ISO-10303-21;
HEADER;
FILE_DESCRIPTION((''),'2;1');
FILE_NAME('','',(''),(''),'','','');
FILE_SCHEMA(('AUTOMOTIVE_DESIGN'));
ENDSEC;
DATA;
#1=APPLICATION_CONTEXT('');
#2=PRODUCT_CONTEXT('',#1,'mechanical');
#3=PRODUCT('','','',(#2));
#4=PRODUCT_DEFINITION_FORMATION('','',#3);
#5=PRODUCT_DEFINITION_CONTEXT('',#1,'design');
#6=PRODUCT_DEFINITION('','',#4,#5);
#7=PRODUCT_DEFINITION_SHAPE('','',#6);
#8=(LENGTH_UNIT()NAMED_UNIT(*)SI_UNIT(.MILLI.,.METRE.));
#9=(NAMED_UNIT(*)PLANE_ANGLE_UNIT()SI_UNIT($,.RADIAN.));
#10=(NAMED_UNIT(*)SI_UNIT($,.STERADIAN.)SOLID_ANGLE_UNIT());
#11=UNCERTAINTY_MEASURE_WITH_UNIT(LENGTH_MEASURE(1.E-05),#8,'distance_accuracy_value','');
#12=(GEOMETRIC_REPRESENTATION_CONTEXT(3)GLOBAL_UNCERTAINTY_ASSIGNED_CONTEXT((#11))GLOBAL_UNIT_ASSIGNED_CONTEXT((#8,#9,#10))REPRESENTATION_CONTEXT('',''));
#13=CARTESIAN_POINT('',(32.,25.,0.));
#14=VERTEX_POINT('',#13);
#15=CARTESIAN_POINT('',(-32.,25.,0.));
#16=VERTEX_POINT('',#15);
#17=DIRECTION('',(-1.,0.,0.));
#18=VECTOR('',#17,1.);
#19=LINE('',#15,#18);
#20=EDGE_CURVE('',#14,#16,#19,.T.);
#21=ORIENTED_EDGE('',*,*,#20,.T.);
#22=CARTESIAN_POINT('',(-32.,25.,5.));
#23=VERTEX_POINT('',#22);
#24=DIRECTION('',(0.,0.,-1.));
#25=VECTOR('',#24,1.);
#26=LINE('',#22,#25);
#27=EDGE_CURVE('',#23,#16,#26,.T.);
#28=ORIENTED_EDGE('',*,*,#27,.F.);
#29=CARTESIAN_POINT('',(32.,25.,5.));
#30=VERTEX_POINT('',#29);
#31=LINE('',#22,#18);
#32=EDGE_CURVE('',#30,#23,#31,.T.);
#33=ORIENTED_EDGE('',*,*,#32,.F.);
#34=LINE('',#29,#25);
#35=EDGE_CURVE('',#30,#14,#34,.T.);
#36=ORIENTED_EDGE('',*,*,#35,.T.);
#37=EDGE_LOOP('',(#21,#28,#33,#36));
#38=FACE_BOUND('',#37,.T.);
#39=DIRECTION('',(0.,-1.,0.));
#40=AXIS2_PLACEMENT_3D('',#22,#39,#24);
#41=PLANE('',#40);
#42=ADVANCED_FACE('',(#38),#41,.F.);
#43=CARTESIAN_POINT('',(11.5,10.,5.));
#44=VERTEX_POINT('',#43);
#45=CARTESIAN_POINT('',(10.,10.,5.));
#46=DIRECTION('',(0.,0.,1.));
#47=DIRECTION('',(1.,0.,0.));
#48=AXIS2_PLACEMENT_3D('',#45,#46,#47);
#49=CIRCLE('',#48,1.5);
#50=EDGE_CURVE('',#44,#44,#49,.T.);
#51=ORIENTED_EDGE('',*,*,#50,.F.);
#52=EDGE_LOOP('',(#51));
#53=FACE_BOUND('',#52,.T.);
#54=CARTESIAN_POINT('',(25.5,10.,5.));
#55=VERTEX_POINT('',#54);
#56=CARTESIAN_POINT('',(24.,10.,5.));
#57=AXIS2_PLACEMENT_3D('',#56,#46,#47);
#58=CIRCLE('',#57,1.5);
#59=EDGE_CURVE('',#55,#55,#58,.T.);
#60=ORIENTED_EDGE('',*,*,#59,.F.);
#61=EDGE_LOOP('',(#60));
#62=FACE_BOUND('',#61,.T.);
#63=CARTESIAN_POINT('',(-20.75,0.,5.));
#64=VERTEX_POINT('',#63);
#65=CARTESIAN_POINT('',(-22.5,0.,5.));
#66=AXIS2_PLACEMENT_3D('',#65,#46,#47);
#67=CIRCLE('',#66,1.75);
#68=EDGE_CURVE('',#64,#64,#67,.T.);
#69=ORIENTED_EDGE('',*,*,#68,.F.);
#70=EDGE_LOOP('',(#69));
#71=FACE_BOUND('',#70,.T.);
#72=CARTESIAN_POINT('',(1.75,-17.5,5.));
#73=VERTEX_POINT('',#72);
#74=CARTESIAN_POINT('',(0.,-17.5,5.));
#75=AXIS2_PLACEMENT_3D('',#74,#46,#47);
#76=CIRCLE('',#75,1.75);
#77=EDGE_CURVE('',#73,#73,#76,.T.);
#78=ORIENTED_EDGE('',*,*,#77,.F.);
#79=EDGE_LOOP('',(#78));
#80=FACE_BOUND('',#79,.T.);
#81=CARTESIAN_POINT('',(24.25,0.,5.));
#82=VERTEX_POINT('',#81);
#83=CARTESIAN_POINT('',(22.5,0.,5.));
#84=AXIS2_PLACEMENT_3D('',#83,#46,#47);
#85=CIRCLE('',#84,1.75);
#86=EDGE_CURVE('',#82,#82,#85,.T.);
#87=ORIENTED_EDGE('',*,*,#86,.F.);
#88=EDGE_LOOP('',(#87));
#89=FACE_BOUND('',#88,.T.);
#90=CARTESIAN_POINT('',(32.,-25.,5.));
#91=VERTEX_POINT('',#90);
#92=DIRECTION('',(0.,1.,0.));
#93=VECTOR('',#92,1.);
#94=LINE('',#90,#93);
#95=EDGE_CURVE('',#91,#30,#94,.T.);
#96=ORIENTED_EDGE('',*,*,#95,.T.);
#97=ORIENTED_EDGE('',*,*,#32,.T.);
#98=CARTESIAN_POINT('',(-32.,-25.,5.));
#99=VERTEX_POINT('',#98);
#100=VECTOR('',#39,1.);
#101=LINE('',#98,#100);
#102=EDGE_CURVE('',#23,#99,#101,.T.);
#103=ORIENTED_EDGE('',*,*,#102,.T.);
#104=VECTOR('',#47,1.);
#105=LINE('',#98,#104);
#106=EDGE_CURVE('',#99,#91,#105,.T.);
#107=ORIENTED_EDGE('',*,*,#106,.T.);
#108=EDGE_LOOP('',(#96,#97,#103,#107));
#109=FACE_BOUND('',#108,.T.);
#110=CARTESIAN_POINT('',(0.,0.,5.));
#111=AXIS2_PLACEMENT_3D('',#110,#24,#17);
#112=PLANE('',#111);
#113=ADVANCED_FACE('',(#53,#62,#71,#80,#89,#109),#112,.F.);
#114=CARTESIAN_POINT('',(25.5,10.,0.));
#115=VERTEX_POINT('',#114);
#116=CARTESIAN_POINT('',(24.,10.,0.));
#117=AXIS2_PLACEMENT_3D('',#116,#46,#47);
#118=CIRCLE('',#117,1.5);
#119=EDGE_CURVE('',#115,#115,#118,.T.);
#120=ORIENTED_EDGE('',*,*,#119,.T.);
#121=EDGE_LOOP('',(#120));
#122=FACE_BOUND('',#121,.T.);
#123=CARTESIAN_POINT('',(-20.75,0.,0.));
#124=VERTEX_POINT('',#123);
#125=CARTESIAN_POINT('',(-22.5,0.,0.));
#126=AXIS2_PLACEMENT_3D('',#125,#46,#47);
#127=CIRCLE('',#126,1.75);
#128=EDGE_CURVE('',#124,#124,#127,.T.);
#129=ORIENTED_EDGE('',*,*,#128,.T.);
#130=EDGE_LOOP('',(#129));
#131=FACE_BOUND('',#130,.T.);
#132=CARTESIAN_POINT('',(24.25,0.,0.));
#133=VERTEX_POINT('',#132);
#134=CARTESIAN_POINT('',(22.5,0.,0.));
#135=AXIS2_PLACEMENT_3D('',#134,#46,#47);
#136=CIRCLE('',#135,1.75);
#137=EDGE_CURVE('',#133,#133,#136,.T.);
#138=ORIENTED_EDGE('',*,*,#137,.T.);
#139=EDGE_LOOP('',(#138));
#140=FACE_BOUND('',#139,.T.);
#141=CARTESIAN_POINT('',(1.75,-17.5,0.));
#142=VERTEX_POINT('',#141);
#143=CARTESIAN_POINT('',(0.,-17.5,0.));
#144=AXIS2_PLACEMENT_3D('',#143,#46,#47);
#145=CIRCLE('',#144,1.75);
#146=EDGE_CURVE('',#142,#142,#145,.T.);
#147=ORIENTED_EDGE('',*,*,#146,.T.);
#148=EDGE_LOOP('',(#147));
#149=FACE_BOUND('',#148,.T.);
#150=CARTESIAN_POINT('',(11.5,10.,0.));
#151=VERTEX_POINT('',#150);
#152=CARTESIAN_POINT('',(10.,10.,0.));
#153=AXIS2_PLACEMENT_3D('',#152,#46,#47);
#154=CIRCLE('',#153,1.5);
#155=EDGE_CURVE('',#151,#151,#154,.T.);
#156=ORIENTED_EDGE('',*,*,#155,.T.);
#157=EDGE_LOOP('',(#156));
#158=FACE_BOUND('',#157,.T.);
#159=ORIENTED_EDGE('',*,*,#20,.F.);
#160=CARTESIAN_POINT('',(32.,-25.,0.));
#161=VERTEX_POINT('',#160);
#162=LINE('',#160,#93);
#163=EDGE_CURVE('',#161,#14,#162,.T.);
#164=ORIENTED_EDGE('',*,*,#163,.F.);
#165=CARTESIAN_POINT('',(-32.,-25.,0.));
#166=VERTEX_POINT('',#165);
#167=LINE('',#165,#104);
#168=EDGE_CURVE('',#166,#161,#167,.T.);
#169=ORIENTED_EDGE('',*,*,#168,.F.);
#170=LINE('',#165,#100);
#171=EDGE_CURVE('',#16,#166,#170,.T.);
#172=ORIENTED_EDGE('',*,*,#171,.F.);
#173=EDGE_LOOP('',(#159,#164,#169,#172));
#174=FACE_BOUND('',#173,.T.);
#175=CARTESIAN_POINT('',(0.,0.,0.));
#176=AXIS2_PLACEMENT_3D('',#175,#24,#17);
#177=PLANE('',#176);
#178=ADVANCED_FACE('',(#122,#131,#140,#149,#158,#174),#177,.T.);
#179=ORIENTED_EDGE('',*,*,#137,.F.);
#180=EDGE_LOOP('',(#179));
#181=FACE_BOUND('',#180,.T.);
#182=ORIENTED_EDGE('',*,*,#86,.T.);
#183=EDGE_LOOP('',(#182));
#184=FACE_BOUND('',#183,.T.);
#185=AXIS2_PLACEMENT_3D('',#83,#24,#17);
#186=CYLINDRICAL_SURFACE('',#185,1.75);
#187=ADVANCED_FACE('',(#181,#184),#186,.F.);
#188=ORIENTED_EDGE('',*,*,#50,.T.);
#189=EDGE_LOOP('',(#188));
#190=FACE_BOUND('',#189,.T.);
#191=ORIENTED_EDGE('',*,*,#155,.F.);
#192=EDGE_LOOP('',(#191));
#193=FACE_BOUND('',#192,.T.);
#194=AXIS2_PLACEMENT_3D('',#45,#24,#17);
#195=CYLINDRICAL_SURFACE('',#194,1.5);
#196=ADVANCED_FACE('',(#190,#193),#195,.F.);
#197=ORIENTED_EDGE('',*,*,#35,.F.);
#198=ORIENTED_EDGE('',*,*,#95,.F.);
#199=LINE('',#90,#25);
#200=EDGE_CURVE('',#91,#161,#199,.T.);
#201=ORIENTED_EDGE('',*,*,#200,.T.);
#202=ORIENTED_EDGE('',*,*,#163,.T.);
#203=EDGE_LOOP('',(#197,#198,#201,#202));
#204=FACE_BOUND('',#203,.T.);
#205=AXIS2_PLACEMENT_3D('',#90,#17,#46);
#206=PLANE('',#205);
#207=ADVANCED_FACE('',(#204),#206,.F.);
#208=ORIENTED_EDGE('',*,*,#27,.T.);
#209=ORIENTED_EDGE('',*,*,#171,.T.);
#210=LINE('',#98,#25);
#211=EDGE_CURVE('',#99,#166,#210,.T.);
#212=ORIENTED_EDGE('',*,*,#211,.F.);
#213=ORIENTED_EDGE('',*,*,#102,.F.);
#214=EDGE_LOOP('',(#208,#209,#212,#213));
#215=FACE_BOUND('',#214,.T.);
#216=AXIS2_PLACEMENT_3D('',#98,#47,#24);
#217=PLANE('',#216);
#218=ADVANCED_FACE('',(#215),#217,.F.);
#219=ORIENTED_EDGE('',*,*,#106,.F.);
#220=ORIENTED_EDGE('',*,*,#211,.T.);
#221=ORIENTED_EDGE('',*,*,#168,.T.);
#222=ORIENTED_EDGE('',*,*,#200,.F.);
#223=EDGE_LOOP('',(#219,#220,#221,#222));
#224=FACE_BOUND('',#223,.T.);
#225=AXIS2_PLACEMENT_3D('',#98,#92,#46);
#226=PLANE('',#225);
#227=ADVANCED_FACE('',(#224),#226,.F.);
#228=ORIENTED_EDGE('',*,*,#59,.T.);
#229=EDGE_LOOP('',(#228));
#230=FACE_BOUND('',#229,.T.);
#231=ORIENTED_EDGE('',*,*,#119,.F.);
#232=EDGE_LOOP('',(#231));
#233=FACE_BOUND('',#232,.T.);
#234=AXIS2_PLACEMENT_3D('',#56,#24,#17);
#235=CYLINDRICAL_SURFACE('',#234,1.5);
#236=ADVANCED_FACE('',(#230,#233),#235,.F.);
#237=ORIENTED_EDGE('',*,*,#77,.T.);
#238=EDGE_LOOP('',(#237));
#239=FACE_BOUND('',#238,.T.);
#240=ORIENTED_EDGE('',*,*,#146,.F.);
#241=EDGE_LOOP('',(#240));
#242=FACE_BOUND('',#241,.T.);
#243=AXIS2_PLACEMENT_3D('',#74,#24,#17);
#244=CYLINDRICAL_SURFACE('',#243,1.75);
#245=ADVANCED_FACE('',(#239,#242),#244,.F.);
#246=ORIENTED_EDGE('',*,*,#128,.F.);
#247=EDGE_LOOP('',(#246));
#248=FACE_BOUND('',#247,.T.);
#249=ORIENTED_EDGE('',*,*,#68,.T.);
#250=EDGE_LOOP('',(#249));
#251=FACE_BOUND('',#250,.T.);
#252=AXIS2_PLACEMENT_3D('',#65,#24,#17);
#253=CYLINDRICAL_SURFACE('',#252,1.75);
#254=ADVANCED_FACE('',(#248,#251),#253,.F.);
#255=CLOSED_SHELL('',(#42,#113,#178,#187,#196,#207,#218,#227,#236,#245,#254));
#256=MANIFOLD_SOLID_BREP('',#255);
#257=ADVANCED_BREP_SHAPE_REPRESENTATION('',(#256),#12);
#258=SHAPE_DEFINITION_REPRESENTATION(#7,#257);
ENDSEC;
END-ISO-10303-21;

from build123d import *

# Parameters (mm, degrees)
SKETCH1_W           = 64
SKETCH1_H           = 50
SKETCH1_R           = 1.75
SKETCH1_R_2         = 1.5
BOSS_EXTRUDE1_DEPTH = 5


with BuildPart() as part:
    # Sketch1 → Boss-Extrude1 (new body)
    with BuildSketch(Plane.XY):
        Rectangle(SKETCH1_W, SKETCH1_H)
        with Locations((-22.5, 0)):
            Circle(SKETCH1_R, mode=Mode.SUBTRACT)
        with Locations((22.5, 0)):
            Circle(SKETCH1_R, mode=Mode.SUBTRACT)
        with Locations((0, -17.5)):
            Circle(SKETCH1_R, mode=Mode.SUBTRACT)
        with Locations((10, 10)):
            Circle(SKETCH1_R_2, mode=Mode.SUBTRACT)
        with Locations((24, 10)):
            Circle(SKETCH1_R_2, mode=Mode.SUBTRACT)
    extrude(amount=BOSS_EXTRUDE1_DEPTH)


solid = part.part
